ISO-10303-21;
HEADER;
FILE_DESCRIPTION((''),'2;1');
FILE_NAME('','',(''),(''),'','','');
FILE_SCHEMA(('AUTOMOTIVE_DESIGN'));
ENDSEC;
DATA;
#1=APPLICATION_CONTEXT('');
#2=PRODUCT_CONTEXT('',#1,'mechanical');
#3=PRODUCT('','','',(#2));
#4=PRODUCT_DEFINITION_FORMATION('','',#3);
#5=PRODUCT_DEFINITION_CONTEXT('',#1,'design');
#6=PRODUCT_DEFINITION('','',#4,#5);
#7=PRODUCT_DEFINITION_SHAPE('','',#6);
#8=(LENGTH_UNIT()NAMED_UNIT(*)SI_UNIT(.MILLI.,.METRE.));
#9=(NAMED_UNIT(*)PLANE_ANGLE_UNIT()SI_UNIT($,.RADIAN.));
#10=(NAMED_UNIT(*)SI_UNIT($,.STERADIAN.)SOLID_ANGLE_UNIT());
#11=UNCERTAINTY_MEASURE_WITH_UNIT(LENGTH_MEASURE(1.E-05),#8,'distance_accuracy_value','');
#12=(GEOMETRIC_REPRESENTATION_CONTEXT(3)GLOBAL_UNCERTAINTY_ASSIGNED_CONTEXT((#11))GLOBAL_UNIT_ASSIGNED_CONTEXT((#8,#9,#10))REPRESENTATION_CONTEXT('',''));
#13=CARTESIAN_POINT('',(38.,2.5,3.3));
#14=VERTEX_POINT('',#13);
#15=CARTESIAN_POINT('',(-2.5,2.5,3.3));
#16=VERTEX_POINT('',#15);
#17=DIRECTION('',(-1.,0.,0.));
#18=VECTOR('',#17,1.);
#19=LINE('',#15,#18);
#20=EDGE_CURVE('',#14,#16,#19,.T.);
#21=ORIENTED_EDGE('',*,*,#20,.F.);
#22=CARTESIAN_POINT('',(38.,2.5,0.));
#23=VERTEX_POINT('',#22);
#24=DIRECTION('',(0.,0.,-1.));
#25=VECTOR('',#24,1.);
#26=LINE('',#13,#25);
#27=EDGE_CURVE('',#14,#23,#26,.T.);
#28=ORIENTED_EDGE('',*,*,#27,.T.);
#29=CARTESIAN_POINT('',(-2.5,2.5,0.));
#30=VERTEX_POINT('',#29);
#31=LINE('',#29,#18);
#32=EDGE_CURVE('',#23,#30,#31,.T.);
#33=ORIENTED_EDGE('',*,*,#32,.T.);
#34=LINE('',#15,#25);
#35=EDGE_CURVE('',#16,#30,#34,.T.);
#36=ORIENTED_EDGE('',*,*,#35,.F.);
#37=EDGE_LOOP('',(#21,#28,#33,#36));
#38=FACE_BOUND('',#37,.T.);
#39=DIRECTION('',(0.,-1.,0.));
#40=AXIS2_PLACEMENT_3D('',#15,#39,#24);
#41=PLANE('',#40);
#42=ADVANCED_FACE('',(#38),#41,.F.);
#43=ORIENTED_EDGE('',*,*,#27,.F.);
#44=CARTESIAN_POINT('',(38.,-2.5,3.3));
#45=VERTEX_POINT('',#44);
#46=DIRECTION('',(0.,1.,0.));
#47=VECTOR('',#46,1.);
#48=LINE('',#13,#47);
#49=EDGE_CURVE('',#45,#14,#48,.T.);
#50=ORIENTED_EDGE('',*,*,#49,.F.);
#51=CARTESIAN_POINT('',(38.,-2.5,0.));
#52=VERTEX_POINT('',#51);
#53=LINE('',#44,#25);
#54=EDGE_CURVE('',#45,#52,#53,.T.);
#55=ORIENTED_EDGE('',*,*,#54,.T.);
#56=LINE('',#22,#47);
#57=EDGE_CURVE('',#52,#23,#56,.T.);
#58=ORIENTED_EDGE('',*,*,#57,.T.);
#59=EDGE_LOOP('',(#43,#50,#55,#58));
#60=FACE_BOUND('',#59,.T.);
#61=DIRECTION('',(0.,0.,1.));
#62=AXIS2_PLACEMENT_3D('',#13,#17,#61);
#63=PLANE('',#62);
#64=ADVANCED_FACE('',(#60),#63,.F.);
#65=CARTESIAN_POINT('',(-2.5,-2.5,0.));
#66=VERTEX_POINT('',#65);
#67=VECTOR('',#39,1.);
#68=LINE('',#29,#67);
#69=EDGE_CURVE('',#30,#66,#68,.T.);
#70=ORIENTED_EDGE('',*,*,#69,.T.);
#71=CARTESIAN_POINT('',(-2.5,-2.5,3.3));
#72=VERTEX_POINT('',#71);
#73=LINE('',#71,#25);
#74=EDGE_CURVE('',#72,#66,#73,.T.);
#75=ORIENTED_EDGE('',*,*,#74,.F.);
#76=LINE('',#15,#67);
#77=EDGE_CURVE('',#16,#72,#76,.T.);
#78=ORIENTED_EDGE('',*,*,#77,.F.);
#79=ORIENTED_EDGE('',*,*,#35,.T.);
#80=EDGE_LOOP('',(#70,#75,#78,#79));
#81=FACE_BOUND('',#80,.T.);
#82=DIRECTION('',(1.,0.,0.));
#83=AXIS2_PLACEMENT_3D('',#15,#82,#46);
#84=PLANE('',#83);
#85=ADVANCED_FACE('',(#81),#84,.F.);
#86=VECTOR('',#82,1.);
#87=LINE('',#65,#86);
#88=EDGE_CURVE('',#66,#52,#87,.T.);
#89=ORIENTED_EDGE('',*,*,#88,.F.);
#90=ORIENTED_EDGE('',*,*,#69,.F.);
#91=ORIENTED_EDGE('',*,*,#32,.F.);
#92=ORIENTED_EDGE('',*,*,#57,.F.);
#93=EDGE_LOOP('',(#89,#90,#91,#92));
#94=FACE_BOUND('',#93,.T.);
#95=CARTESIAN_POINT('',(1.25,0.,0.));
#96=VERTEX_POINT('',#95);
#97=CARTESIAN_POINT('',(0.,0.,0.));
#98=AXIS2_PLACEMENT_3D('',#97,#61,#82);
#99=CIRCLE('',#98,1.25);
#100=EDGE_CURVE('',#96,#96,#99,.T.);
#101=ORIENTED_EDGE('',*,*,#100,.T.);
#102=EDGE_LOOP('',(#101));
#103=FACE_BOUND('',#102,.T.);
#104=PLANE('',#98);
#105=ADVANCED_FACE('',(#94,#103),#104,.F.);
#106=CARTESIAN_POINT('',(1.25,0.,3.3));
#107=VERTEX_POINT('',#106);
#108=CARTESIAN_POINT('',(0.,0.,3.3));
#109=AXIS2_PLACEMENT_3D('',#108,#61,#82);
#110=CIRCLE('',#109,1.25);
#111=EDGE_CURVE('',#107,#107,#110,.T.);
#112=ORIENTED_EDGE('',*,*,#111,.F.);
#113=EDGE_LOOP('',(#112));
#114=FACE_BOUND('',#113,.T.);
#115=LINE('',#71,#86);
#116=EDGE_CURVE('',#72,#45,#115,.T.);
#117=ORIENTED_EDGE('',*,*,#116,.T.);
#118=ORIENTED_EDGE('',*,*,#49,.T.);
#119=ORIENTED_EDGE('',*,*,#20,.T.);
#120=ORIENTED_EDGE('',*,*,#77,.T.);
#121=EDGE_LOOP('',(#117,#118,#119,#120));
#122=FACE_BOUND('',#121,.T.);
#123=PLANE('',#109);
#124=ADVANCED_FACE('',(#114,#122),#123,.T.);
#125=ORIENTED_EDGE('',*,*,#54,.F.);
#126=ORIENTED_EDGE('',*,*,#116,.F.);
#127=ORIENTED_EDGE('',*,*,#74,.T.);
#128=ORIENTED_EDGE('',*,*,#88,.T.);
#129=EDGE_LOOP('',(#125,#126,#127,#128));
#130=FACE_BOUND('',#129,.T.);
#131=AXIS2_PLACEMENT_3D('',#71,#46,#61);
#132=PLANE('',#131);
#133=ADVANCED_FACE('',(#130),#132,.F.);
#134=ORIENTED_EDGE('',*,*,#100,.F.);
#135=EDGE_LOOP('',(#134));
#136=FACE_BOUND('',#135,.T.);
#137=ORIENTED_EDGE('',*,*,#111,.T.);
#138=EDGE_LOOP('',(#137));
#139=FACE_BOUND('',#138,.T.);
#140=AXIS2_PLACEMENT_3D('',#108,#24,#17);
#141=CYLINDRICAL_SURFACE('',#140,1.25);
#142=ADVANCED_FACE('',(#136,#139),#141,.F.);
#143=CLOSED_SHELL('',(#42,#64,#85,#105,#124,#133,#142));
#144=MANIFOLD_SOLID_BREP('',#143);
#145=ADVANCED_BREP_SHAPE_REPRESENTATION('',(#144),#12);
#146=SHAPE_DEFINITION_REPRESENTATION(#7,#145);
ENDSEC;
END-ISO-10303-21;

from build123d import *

# Parameters (mm, degrees)
SKETCH1_W           = 40.5
SKETCH1_H           = 5
SKETCH1_R           = 1.25
BOSS_EXTRUDE1_DEPTH = 3.3


with BuildPart() as part:
    # Sketch1 → Boss-Extrude1 (new body)
    with BuildSketch(Plane.XY):
        with Locations((17.75, 0)):
            Rectangle(SKETCH1_W, SKETCH1_H)
        Circle(SKETCH1_R, mode=Mode.SUBTRACT)
    extrude(amount=BOSS_EXTRUDE1_DEPTH)


solid = part.part
